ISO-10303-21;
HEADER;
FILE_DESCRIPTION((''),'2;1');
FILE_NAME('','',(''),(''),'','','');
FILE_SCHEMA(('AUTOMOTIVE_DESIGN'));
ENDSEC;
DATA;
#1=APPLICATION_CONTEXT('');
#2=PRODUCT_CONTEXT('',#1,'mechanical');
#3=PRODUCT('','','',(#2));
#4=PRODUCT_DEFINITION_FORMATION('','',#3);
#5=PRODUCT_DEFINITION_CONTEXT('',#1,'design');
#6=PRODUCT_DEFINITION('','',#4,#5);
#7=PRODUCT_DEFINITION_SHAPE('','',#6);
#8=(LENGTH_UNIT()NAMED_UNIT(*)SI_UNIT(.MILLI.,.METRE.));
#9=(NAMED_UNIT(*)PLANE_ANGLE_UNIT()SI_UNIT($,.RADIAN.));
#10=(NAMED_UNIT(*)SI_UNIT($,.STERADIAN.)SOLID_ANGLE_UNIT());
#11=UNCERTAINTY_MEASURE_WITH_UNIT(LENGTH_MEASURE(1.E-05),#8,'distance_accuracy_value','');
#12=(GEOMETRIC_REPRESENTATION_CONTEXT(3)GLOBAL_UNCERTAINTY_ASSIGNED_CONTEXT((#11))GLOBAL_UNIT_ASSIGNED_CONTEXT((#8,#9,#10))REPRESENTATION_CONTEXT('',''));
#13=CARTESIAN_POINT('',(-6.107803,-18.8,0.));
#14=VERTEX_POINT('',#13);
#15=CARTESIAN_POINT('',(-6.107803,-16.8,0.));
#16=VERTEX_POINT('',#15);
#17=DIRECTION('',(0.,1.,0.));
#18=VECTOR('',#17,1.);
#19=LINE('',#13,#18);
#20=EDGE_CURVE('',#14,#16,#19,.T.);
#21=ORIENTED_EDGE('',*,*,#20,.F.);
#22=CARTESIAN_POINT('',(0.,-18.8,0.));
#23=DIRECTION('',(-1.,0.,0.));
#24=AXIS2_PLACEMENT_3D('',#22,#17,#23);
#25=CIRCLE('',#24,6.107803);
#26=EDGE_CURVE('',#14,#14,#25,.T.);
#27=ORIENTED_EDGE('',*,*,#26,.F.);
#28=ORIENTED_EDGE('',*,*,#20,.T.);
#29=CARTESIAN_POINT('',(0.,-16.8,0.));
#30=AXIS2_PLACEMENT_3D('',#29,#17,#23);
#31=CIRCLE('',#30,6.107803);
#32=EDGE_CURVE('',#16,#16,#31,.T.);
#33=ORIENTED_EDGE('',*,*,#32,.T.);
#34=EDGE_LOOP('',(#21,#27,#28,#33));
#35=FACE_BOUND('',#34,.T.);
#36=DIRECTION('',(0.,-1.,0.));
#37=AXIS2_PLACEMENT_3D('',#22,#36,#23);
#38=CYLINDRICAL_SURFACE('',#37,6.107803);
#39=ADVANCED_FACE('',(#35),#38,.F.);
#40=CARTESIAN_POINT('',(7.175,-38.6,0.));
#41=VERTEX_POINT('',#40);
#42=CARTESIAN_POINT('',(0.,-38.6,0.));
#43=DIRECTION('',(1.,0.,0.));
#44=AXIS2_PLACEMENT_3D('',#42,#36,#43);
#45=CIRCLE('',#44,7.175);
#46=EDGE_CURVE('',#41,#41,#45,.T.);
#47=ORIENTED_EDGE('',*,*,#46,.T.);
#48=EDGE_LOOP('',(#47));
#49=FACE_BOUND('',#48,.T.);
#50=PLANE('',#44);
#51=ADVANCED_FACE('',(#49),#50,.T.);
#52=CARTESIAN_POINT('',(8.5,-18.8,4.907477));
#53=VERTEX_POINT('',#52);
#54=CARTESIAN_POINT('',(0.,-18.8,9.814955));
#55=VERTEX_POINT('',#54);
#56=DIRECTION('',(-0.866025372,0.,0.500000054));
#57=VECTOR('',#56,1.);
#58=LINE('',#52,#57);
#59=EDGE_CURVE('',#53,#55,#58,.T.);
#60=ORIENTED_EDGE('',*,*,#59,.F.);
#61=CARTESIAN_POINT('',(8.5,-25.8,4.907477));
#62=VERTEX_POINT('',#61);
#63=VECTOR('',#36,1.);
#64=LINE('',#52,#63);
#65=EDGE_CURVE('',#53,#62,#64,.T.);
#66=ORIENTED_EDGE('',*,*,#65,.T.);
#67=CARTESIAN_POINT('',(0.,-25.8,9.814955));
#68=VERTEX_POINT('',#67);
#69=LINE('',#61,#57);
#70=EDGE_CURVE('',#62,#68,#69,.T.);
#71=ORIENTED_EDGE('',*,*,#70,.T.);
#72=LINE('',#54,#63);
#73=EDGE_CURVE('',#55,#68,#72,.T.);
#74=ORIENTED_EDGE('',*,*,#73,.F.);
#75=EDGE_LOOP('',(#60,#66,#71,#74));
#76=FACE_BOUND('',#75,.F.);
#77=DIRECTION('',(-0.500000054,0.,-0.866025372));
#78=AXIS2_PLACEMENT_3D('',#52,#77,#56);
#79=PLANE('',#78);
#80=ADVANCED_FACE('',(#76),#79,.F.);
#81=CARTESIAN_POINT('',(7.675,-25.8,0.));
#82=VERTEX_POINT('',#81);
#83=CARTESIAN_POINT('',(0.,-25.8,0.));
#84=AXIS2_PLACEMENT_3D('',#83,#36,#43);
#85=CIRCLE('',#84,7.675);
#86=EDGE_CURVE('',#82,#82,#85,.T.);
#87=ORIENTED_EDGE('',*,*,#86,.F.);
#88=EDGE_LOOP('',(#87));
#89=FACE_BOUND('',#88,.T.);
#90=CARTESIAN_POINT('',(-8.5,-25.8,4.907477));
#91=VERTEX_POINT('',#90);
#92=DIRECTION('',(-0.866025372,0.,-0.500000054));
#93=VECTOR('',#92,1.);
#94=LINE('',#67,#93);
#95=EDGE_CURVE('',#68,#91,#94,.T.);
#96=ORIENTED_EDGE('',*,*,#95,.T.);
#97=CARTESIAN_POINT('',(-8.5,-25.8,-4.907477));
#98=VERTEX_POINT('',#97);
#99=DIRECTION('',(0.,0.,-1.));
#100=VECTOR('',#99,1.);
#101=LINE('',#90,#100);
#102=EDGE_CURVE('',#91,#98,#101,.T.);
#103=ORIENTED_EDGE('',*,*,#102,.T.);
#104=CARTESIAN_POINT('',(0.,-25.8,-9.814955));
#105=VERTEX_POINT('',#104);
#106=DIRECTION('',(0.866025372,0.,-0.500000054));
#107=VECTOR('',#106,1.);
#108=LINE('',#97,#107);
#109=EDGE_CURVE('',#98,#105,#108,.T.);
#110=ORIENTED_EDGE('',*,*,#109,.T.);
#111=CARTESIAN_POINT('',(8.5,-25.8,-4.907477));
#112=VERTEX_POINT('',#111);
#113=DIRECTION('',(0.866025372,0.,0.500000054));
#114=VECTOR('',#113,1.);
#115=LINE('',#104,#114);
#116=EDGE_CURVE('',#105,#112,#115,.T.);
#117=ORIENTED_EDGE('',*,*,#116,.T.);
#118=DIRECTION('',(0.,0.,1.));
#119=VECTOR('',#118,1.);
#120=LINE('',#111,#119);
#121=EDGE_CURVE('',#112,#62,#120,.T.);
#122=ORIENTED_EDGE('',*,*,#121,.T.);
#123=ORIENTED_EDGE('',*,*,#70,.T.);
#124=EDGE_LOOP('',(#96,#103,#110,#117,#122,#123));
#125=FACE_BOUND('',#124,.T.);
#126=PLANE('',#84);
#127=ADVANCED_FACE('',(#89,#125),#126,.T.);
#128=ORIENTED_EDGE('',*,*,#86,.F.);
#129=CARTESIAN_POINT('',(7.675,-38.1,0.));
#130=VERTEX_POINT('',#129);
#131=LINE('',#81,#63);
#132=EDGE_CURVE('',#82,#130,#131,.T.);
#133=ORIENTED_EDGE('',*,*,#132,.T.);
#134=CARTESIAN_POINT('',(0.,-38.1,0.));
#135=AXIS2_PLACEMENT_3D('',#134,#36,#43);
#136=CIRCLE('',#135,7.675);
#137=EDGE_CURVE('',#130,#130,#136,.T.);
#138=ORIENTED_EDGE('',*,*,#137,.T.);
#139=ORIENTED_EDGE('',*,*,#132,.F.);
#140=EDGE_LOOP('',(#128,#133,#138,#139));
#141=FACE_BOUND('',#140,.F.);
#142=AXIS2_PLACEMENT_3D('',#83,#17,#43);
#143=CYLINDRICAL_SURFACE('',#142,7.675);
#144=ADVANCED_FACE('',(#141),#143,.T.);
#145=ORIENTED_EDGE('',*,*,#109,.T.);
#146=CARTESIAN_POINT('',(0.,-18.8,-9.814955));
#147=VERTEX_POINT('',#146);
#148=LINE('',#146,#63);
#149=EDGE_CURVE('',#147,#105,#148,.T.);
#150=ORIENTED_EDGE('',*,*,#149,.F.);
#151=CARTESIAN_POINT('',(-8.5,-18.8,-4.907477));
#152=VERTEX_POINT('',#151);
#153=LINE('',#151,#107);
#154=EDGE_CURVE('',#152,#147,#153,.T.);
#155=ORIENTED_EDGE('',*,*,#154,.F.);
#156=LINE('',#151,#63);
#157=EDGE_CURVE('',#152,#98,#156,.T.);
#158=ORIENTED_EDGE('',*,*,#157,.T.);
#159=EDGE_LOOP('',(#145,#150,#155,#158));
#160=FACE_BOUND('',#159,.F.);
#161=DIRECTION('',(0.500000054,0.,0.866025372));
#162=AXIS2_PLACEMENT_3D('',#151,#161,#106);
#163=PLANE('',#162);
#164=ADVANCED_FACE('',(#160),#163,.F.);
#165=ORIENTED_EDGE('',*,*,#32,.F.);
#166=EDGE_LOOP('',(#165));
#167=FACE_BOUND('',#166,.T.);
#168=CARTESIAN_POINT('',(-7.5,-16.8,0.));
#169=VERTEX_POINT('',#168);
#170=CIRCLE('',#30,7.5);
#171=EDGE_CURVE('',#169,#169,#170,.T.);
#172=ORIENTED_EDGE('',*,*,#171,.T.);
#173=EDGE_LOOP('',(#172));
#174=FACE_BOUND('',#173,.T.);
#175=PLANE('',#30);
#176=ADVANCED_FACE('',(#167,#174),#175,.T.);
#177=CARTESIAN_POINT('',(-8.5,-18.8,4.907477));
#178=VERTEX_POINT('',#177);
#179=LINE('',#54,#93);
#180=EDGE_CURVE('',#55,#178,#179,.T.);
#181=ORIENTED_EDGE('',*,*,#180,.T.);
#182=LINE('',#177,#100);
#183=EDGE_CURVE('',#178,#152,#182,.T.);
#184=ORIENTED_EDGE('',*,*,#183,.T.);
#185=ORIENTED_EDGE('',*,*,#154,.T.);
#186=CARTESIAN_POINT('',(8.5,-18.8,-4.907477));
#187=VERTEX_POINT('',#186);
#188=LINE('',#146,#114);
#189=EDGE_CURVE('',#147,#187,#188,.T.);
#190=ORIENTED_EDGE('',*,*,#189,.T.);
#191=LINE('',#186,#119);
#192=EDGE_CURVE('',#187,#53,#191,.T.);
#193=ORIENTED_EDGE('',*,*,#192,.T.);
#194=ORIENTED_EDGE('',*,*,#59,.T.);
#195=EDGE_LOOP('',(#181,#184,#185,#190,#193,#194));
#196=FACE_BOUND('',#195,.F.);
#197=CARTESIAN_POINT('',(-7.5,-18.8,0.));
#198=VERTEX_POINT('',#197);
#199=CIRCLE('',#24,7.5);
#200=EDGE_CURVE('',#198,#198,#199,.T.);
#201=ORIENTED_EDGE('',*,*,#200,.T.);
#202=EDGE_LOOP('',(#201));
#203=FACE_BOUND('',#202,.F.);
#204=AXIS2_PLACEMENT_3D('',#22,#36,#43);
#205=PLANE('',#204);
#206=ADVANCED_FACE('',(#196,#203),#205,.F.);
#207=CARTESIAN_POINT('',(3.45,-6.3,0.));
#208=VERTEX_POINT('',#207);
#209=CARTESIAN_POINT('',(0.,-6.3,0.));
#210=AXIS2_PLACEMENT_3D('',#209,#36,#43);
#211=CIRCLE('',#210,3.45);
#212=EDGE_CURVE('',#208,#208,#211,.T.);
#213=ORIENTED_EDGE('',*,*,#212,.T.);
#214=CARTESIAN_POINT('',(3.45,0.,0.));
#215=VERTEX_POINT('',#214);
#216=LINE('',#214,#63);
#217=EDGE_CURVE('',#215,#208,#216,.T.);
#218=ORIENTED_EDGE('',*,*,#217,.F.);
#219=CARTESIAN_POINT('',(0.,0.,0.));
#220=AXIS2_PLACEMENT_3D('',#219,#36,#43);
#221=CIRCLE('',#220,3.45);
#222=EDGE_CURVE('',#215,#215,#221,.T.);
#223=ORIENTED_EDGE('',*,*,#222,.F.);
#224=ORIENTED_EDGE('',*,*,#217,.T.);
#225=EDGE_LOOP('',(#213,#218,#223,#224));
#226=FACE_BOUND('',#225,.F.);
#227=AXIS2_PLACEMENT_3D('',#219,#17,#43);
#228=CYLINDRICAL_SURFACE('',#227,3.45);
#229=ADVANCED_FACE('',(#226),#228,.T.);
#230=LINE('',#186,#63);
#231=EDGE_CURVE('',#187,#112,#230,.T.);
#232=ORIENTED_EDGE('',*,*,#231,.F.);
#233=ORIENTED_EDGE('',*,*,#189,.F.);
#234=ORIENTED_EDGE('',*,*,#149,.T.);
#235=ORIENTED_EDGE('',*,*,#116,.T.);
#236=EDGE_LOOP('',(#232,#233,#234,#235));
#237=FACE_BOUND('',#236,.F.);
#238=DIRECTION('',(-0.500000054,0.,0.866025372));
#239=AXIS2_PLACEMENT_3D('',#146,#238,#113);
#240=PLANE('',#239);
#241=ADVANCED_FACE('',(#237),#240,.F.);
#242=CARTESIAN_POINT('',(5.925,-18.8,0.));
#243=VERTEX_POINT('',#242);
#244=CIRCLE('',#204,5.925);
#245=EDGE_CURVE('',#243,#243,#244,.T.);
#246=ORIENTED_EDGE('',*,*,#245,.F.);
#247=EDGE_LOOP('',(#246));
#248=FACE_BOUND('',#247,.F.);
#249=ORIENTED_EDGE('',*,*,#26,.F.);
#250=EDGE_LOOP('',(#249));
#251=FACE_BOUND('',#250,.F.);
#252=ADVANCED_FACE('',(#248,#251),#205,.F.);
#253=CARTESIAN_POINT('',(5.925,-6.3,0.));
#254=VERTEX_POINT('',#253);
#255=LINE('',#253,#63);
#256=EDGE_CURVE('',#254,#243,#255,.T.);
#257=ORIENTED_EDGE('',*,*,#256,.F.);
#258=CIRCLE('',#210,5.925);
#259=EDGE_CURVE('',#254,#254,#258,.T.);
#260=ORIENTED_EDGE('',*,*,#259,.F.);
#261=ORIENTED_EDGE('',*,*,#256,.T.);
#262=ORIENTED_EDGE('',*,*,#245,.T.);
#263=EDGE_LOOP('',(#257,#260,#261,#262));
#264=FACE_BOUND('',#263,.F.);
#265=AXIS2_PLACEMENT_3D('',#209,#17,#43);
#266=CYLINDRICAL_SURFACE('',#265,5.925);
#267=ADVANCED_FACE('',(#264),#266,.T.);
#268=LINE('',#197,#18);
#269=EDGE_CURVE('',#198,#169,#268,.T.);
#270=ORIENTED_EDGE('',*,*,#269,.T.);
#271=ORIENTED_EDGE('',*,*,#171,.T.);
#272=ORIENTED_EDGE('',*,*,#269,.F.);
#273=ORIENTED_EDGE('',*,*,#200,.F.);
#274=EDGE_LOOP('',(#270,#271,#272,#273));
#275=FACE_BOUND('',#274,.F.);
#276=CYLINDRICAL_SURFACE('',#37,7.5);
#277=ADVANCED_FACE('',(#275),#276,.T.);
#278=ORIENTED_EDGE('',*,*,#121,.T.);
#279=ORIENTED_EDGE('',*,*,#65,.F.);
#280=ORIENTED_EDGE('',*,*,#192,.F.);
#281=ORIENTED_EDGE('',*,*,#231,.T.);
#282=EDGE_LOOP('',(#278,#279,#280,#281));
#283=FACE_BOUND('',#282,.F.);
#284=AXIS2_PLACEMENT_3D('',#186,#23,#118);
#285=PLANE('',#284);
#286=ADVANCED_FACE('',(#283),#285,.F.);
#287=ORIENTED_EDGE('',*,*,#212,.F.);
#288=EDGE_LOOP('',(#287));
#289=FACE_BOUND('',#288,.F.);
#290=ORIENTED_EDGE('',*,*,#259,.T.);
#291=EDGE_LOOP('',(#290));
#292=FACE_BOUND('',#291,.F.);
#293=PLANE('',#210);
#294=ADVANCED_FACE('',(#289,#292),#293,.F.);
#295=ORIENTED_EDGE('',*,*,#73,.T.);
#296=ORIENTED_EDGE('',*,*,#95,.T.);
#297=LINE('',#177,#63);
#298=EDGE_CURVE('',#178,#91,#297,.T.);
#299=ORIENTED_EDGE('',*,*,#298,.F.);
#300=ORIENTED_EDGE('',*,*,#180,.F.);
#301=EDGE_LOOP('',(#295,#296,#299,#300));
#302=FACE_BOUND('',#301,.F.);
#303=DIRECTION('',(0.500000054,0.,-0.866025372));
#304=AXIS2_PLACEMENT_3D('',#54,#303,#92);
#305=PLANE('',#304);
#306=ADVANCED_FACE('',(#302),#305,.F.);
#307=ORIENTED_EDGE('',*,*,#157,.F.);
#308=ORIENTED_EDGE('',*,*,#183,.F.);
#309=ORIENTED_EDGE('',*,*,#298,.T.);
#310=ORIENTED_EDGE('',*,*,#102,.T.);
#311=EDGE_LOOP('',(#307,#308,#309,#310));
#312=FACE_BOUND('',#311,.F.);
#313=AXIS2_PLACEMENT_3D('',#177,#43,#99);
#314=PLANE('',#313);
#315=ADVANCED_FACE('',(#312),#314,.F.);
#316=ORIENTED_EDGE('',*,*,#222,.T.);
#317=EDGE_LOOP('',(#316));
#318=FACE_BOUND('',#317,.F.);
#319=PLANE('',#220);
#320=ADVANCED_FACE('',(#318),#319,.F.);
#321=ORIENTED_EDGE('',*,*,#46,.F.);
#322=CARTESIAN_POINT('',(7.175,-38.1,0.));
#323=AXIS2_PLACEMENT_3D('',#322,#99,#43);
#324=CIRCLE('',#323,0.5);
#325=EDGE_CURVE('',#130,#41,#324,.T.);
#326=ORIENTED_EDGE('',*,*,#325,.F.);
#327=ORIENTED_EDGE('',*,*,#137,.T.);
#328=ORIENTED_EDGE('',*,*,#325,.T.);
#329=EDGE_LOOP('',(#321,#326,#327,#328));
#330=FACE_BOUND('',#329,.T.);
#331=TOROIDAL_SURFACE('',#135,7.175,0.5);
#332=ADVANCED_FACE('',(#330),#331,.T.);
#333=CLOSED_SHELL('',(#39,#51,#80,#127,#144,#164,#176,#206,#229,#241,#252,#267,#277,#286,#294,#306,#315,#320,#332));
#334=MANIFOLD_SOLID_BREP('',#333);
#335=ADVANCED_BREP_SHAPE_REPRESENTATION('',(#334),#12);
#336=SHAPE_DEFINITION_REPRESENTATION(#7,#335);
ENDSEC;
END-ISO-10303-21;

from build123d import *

# Parameters (mm, degrees)
F0_R      = 3.45
F1_DEPTH  = 6.3
F2_R      = 5.925
F3_DEPTH  = 12.5
F5_DEPTH  = 7
F6_R      = 7.675
F7_DEPTH  = 12.8
F8_R      = 0.5
F9_R      = 7.5
F9_R_2    = 6.107803
F10_DEPTH = 2


with BuildPart() as f1:
    # F0 (on Front) → F1 (new body)
    with BuildSketch(Plane.XZ):
        Circle(F0_R)
    extrude(amount=F1_DEPTH)

    # F2 (on face) → F3 (join)
    with BuildSketch(Plane.XZ.offset(6.3)):
        Circle(F2_R)
    extrude(amount=F3_DEPTH)

    # F4 (on face) → F5 (join)
    with BuildSketch(Plane.XZ.offset(18.8)):
        Polygon((0, 9.814955), (-8.5, 4.907477), (-8.5, -4.907477), (0, -9.814955), (8.5, -4.907477), (8.5, 4.907477), align=None)
    extrude(amount=F5_DEPTH)

    # F6 (on face) → F7 (join)
    with BuildSketch(Plane.XZ.offset(25.8)):
        Circle(F6_R)
    extrude(amount=F7_DEPTH)

    # F8
    f8_edges = [f1.edges().sort_by_distance(p)[0] for p in [
        (-7.675, -38.6, 0),
    ]]
    fillet(f8_edges, radius=F8_R)

    # F9 (on face) → F10 (join)
    with BuildSketch(Plane(origin=(0, -18.8, 0), x_dir=(-1, 0, 0), z_dir=(0, 1, 0))):
        Circle(F9_R)
        Circle(F9_R_2, mode=Mode.SUBTRACT)
    extrude(amount=F10_DEPTH)


solid = f1.part
